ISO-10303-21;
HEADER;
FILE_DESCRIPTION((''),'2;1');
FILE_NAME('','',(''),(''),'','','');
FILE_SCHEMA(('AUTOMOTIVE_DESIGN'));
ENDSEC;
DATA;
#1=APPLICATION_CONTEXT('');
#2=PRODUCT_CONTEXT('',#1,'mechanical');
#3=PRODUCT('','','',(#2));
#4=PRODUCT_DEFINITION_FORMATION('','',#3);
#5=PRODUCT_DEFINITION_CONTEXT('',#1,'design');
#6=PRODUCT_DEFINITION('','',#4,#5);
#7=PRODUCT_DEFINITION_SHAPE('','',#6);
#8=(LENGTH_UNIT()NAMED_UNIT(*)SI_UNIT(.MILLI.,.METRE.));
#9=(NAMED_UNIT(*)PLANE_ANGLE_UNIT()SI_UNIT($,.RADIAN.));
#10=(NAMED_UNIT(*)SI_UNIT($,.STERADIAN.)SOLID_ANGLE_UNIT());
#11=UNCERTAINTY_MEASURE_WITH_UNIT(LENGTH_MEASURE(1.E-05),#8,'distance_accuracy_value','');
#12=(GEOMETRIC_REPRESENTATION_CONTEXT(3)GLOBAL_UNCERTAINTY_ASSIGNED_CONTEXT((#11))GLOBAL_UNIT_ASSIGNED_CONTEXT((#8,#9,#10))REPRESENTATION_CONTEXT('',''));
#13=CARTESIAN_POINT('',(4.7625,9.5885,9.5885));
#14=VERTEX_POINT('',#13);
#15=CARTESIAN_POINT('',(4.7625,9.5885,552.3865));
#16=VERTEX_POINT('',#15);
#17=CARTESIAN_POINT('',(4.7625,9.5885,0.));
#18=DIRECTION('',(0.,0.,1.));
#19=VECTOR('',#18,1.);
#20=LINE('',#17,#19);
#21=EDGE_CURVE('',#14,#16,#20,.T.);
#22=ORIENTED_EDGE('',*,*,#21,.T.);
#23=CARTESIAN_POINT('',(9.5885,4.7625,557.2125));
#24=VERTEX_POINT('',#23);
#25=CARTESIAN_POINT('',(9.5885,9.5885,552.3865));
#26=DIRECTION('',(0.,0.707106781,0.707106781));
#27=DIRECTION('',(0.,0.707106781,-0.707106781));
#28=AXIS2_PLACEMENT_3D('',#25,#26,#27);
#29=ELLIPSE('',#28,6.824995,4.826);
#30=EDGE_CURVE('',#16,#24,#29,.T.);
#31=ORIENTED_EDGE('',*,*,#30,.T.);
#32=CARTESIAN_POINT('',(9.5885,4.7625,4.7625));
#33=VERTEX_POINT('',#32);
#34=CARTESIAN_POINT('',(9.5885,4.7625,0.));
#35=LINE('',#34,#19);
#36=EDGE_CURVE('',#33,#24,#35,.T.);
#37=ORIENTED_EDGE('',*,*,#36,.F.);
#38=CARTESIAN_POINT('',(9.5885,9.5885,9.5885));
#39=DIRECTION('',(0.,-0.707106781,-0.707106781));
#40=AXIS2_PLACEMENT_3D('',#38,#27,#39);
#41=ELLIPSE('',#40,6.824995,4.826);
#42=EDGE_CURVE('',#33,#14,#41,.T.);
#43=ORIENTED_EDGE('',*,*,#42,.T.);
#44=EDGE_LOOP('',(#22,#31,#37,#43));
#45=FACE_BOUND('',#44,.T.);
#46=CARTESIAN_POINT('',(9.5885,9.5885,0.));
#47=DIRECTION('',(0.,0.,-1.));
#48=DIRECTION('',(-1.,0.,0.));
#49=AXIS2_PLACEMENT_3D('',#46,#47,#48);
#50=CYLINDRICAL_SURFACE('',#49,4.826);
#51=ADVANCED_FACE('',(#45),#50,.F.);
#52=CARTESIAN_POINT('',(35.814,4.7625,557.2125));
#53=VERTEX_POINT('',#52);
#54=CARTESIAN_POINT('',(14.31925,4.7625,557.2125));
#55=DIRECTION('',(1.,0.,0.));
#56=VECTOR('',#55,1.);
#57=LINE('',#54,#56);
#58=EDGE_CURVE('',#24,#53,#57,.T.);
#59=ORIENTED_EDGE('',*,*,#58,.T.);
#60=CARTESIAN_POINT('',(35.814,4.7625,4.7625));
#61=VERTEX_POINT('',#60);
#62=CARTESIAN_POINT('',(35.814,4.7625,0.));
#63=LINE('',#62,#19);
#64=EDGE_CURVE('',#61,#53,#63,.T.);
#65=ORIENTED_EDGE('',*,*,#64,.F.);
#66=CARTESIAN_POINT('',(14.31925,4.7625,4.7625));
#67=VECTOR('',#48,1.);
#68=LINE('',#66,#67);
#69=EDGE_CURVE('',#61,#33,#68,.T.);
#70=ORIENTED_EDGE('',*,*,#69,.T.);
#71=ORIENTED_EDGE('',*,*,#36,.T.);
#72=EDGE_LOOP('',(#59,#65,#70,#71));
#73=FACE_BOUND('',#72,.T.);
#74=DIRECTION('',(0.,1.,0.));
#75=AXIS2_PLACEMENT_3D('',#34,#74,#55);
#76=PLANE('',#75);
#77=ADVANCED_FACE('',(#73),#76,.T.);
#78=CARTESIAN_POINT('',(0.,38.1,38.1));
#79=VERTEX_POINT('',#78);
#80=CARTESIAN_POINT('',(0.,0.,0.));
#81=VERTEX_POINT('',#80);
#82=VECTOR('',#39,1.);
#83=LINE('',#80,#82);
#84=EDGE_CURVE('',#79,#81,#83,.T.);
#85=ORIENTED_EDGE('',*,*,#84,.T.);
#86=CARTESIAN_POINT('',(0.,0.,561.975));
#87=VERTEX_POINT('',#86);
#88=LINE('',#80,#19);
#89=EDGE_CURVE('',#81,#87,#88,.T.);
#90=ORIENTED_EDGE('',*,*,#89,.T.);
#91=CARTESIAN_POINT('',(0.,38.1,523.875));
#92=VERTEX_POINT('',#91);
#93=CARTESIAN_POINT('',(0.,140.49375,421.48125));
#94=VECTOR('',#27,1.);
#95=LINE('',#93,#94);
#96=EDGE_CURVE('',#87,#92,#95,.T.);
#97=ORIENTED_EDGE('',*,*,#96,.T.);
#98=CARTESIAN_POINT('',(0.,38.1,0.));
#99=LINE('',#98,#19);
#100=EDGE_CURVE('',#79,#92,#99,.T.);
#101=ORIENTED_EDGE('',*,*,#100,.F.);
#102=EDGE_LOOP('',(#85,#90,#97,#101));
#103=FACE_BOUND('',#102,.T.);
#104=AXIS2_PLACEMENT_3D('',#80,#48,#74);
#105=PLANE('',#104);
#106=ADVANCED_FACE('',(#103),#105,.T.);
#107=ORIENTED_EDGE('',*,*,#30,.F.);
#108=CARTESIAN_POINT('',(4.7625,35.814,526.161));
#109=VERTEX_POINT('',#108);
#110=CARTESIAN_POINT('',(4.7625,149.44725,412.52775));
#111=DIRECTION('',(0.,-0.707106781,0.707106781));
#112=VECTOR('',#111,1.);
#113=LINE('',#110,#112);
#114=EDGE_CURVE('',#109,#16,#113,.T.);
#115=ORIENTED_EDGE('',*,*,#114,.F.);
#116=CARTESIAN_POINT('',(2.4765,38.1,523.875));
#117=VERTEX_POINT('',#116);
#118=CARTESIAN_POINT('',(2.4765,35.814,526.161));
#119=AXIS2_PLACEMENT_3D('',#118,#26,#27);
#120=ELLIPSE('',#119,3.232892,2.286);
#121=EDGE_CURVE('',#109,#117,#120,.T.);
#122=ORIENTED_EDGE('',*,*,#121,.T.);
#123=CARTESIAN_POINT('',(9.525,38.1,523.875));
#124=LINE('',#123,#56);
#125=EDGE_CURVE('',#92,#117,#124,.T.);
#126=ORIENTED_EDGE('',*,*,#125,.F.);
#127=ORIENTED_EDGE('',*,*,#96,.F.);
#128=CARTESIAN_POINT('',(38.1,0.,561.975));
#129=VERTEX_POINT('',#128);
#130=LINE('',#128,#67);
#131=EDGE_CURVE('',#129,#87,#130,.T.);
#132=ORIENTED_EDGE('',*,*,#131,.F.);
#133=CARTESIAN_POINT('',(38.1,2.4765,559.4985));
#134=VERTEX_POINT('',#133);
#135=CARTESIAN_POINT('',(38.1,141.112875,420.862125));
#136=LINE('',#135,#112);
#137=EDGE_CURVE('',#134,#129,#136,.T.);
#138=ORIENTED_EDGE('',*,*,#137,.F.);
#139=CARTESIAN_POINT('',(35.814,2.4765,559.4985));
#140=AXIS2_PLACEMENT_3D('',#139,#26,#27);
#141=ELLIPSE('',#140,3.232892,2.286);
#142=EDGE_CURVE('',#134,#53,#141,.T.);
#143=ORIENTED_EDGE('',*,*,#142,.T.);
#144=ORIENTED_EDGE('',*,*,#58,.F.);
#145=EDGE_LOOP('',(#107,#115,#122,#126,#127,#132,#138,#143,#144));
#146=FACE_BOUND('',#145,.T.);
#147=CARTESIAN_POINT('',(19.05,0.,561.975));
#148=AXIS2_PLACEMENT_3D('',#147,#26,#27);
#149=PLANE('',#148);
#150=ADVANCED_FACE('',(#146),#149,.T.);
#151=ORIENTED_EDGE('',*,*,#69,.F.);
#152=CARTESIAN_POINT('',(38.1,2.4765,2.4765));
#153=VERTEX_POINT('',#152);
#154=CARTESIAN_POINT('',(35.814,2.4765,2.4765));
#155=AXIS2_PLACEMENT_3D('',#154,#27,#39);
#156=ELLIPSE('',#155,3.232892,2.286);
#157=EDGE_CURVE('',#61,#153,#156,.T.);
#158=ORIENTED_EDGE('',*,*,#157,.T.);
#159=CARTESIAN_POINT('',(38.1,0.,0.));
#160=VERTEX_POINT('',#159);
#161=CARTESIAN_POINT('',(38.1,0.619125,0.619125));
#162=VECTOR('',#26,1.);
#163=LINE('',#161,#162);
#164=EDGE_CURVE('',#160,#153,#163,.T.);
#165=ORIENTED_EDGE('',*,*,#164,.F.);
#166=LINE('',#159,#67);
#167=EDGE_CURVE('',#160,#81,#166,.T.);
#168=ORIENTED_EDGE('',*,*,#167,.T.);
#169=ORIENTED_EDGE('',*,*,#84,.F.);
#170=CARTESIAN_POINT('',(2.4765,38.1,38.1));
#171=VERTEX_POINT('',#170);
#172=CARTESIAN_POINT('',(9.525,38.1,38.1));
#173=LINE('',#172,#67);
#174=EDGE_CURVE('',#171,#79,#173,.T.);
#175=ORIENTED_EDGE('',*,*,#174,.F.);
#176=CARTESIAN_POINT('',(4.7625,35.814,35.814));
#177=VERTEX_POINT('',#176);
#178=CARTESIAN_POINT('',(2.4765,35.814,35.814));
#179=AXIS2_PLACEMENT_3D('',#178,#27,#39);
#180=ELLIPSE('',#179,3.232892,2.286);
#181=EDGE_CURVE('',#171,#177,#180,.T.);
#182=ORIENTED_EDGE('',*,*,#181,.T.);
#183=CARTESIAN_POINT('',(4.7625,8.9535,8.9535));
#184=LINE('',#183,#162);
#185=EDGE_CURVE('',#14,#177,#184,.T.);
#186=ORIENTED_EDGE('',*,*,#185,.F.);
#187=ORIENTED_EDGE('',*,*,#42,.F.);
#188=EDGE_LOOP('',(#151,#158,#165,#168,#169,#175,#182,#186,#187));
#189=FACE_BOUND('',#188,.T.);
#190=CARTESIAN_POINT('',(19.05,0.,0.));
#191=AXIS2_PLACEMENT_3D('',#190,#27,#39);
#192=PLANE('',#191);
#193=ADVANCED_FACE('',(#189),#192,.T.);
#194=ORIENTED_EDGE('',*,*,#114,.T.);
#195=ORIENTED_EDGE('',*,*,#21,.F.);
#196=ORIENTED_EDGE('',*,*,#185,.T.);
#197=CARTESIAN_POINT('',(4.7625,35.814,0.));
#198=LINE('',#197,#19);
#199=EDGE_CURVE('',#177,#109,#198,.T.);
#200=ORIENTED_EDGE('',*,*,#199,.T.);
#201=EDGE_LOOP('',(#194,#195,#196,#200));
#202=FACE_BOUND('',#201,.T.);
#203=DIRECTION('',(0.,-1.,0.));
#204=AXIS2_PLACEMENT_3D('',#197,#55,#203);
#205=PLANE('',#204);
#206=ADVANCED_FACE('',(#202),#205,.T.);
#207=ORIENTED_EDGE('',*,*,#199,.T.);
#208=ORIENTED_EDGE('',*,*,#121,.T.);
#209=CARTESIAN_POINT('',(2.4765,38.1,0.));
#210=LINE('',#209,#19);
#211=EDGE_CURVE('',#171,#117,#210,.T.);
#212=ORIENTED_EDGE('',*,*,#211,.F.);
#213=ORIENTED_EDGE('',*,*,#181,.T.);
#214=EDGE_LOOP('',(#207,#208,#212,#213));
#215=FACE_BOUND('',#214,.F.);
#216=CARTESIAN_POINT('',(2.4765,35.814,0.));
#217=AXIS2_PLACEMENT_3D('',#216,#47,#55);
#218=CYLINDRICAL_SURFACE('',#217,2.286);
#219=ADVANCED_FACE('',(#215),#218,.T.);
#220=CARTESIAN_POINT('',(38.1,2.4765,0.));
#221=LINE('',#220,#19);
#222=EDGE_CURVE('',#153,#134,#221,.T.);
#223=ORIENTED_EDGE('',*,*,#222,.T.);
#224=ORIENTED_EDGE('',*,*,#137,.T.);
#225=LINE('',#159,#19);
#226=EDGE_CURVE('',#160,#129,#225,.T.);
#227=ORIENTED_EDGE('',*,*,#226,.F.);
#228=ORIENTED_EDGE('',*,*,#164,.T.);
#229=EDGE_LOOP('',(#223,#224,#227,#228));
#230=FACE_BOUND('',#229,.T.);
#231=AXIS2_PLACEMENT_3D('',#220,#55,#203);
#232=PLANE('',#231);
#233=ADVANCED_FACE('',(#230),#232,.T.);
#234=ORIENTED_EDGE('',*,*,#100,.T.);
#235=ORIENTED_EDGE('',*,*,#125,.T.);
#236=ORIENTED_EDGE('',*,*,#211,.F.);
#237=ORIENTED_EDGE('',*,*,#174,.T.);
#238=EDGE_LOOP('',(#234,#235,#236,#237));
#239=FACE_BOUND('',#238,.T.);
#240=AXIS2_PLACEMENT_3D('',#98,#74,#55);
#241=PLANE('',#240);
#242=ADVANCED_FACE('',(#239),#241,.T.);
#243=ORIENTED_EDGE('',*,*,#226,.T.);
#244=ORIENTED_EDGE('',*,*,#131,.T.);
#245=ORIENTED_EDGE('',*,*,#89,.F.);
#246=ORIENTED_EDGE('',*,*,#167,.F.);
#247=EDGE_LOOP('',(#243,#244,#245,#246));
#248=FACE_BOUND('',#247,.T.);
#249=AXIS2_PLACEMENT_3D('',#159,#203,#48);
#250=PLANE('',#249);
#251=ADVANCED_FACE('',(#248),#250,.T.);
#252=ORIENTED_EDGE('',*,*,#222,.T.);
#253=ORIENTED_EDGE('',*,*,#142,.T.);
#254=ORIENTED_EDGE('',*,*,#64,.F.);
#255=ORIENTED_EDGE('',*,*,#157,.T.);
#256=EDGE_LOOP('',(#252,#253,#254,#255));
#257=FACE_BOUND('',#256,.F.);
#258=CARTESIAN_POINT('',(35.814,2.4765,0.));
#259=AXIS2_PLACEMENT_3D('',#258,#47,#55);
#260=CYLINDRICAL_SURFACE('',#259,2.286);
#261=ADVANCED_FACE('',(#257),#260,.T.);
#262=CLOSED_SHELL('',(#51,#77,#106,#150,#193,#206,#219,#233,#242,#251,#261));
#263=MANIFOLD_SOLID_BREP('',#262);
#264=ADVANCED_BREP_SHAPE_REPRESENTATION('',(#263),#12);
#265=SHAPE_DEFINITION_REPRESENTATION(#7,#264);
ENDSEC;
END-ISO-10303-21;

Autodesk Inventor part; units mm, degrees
ref_plane "Start plane" through (0, 0, 0) normal (0, 0, 1) x (1, 0, 0)
ref_plane "End plane" through (0, 0, 561.975) normal (0, 0, 1) x (1, 0, 0)
sketch "Sketch" plane through (0, 0, 0) normal (0, 0, 1) x (1, 0, 0)
  line L0 (38.1, 0) -> (0, 0)
  line L1 (0, 0) -> (0, 38.1)
  line L2 (0, 38.1) -> (2.4765, 38.1)
  line L3 (4.7625, 35.814) -> (4.7625, 9.5885)
  line L4 (9.5885, 4.7625) -> (35.814, 4.7625)
  line L5 (38.1, 2.4765) -> (38.1, 0)
  line L6 (0, -11.0414) -> (0, 31.5385) construction
  line L7 (-11.0414, 0) -> (31.5385, 0) construction
  arc A0 (4.7625, 9.5885) -> (9.5885, 4.7625) centre (9.5885, 9.5885) ccw
  arc A1 (4.7625, 35.814) -> (2.4765, 38.1) centre (2.4765, 35.814) ccw
  arc A2 (38.1, 2.4765) -> (35.814, 4.7625) centre (35.814, 2.4765) ccw
  line L8 (0, 48.4964) -> (0, -20.9644) construction
  line L9 (-20.9644, 0) -> (48.4964, 0) construction
  point P0 (4.7625, 38.1)
  point P1 (4.7625, 4.7625)
  point P2 (38.1, 4.7625)
  dimension "d0" = 38.1
  dimension "d1" = 38.1
  dimension "d2" = 4.7625
  dimension "d3" = 4.7625
  dimension "d10" = 0
  dimension "d11" = 0
  dimension "d14" = 4.826
  dimension "d15" = 2.286
extrude "Body" add sketch "Sketch" along normal up to surface (561.975 mm away) from surface at 0
sketch "Sketch3" plane through (0, 0, 0) normal (0, 0, 1) x (1, 0, 0)
  line L0 (0, 0) -> (10, 0)
ref_plane "Work Plane3" through (0, 0, 0) normal (0, -1, 0) x (1, 0, 0)
sketch "Sketch4" plane through (0, 0, 0) normal (0, -1, 0) x (1, 0, 0)
  line L0 (-2, 0) -> (12, 0)
  line L1 (-2, 561.975) -> (12, 561.975)
  dimension "d17" = 561.975
ref_plane "Work Plane4" through (19.05, 0, 0) normal (0, 0.7071, -0.7071) x (1, 0, 0)
split "Split1" plane through (19.05, 0, 0) removes the side toward (0, 0.7071, -0.7071)
ref_plane "Work Plane5" through (19.05, 0, 561.975) normal (0, 0.7071, 0.7071) x (1, 0, 0)
split "Split2" plane through (19.05, 0, 561.975) removes the side toward (0, 0.7071, 0.7071)
equation "\"d0\" = G_H"
equation "\"d1\" = G_H"
equation "\"d2\" = G_T"
equation "\"d3\" = G_T"
equation "\"d14\" = G_IR"
equation "\"d15\" = G_ER"
equation "\"d4\" = G_L"
equation "\"G_H\" = 38.1"
equation "\"G_T\" = 4.7625"
equation "\"G_ER\" = 2.286"
equation "\"G_IR\" = 4.826"
equation "\"G_L\" = d17"
equation "\"ex\" = 0"
equation "\"G_OFFSET_START\" = 0"
equation "\"G_OFFSET_END\" = 0"
equation "\"d13\" = G_OFFSET_END + B_L"
equation "\"B_L\" = 561.975"
properties part number "AISC - L 1.5 x 1.5 x 3/16 - 22.125" material "Aluminum 6061-AHC"
